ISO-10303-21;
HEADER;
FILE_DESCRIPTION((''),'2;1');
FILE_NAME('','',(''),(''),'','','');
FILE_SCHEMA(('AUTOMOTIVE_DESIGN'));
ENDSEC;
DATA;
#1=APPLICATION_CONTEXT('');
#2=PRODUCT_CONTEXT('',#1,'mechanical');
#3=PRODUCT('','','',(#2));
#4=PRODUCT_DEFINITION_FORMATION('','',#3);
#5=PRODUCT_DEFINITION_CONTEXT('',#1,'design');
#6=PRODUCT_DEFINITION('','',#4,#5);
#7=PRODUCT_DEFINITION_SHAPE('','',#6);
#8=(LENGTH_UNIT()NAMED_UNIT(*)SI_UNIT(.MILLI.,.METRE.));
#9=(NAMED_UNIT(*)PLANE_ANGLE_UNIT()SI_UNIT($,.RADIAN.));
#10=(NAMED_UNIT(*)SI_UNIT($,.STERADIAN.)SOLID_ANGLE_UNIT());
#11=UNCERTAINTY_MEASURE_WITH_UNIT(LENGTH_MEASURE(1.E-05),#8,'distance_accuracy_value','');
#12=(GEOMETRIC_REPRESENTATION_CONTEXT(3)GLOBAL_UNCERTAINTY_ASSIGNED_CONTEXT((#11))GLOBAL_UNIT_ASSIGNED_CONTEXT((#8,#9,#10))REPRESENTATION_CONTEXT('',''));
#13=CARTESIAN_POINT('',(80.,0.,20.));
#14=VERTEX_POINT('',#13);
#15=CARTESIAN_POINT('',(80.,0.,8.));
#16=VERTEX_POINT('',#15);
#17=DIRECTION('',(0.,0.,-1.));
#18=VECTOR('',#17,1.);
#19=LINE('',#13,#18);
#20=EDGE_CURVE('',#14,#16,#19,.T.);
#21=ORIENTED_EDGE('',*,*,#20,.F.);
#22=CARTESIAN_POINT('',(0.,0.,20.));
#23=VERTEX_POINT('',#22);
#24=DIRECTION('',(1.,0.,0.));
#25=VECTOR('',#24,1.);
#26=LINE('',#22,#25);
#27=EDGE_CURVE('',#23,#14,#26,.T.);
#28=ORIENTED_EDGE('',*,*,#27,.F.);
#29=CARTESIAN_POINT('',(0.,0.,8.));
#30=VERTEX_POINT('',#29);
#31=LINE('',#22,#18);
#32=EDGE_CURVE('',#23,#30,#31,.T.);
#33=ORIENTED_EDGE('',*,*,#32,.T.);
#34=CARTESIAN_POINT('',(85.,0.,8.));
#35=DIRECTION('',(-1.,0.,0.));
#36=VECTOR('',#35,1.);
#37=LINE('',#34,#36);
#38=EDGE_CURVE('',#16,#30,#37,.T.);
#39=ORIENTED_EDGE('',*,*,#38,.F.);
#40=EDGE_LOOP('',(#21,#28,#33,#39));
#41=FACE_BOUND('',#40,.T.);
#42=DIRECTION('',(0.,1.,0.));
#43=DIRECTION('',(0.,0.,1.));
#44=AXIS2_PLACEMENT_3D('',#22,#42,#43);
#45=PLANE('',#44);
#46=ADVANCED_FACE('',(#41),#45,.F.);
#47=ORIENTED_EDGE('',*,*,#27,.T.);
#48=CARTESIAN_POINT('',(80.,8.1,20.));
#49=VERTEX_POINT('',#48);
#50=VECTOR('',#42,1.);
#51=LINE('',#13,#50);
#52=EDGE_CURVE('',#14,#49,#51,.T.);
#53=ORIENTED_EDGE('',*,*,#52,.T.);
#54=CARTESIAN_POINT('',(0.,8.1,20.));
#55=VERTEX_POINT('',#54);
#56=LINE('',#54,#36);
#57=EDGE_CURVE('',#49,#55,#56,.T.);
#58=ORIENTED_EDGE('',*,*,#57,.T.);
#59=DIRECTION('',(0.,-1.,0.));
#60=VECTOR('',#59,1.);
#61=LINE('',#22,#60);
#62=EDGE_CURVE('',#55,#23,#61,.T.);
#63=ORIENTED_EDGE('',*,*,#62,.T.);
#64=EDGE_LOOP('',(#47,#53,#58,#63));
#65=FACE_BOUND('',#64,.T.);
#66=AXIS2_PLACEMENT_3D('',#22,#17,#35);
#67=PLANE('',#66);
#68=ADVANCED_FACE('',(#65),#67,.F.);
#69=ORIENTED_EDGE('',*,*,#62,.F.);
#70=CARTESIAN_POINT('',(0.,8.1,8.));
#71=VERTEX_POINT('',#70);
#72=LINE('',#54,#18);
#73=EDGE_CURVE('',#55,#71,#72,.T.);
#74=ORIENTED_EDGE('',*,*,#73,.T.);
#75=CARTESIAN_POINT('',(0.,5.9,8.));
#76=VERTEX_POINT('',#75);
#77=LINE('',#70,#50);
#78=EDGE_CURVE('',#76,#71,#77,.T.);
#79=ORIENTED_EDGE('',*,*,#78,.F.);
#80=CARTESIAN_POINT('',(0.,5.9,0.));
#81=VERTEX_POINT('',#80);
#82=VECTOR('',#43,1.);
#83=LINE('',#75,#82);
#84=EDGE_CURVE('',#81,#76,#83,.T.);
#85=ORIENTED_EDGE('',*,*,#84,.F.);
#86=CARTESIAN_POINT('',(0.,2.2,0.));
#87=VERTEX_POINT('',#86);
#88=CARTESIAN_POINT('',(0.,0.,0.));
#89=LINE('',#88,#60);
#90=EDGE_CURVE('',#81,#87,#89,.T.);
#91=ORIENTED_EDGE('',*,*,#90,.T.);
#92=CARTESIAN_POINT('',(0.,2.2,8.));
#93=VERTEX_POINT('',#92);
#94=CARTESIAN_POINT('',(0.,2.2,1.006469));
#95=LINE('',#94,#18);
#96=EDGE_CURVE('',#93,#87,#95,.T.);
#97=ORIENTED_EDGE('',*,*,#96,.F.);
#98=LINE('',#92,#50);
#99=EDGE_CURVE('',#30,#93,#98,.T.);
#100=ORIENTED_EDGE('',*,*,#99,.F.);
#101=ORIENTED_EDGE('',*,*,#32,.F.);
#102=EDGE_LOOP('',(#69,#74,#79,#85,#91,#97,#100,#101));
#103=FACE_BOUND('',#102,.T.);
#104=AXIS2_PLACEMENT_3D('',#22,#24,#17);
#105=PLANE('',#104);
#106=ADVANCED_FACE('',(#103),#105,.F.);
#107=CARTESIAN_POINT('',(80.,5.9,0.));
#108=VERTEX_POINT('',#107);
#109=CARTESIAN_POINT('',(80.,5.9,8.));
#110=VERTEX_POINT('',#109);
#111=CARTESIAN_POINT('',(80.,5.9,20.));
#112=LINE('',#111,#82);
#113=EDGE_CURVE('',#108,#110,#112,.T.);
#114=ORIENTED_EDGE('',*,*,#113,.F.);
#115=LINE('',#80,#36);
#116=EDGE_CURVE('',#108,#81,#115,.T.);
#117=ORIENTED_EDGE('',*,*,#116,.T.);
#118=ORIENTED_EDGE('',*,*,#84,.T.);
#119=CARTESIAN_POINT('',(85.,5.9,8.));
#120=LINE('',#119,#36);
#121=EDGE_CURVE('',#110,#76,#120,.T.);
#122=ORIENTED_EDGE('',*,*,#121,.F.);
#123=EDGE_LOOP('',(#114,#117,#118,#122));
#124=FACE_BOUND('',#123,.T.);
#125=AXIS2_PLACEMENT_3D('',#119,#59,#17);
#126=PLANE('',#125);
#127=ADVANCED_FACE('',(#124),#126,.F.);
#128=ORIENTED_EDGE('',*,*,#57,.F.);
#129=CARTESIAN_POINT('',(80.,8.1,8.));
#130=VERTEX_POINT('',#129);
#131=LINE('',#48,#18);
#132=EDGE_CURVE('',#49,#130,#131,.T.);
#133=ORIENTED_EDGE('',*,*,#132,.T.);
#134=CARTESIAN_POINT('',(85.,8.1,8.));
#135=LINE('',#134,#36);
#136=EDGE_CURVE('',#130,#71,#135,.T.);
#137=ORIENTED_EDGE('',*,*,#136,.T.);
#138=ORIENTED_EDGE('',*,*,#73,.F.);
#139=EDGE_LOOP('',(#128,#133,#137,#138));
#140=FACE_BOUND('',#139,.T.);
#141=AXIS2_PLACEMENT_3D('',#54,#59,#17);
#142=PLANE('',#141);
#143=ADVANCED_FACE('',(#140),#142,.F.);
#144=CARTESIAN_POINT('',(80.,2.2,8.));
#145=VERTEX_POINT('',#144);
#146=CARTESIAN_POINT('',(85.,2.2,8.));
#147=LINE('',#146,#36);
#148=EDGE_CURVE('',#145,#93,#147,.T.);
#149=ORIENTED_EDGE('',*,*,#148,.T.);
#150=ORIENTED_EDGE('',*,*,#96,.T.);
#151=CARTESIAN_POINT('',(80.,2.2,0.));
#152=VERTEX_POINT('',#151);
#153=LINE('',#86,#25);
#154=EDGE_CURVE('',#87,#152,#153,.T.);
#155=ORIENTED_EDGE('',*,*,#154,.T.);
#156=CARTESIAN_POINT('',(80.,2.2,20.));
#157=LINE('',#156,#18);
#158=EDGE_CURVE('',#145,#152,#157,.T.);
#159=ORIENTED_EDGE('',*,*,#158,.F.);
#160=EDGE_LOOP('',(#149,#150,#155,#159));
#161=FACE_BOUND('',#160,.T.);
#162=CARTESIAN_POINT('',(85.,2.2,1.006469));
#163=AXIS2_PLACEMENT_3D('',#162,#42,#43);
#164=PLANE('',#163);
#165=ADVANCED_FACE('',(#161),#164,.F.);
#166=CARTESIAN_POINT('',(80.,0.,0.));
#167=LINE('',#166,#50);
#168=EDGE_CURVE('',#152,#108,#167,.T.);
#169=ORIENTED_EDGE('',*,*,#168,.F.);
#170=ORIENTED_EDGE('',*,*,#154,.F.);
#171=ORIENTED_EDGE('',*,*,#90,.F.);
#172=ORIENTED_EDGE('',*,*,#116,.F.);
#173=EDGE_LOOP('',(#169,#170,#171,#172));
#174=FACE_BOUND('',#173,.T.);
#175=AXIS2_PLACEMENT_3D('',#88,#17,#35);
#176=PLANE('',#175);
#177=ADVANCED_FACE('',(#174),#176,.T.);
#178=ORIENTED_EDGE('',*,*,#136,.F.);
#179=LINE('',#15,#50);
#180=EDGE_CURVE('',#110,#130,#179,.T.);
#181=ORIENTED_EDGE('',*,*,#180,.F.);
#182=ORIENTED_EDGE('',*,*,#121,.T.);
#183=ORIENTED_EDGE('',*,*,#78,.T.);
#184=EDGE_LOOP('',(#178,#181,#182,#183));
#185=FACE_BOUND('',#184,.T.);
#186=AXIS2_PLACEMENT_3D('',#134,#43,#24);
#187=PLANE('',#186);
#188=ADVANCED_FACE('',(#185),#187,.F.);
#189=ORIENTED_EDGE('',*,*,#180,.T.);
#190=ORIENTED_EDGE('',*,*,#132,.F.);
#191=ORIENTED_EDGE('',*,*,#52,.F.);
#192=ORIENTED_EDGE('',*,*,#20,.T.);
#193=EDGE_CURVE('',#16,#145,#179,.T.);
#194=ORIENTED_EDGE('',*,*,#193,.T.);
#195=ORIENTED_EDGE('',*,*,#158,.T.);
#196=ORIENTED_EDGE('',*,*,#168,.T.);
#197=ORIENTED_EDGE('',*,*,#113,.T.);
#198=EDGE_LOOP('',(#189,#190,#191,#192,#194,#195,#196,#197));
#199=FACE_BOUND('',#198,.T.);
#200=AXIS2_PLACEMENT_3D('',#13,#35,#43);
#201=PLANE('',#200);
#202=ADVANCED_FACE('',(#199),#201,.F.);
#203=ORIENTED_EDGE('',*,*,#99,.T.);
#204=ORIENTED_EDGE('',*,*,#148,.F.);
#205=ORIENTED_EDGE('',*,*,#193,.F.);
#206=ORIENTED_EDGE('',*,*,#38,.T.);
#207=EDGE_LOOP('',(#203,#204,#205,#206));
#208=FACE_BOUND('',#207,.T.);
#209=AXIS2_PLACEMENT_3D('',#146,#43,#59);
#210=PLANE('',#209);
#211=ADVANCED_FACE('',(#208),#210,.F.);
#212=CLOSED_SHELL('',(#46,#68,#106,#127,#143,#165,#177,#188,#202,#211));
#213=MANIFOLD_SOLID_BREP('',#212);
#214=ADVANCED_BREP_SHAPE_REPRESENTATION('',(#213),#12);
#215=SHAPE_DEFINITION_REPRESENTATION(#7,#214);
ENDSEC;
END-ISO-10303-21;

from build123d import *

# Parameters (mm, degrees)
SKETCH1_W           = 80
SKETCH1_H           = 8.1
BOSS_EXTRUDE1_DEPTH = 20
CUT_EXTRUDE1_DEPTH  = 85


with BuildPart() as part:
    # Sketch1 → Boss-Extrude1 (new body)
    with BuildSketch(Plane.XY):
        with Locations((40, 4.05)):
            Rectangle(SKETCH1_W, SKETCH1_H)
    extrude(amount=BOSS_EXTRUDE1_DEPTH)

    # Sketch2 → Cut-Extrude1 (cut)
    with BuildSketch(Plane.ZY):
        Polygon((0, 8.1), (8, 8.1), (8, 5.9), (1.006469224, 5.9), (0, 5.9), align=None)
        Polygon((0, 0), (8, 0), (8, 2.2), (1.006469224, 2.2), (0, 2.2), align=None)
    extrude(amount=-CUT_EXTRUDE1_DEPTH, mode=Mode.SUBTRACT)


solid = part.part
